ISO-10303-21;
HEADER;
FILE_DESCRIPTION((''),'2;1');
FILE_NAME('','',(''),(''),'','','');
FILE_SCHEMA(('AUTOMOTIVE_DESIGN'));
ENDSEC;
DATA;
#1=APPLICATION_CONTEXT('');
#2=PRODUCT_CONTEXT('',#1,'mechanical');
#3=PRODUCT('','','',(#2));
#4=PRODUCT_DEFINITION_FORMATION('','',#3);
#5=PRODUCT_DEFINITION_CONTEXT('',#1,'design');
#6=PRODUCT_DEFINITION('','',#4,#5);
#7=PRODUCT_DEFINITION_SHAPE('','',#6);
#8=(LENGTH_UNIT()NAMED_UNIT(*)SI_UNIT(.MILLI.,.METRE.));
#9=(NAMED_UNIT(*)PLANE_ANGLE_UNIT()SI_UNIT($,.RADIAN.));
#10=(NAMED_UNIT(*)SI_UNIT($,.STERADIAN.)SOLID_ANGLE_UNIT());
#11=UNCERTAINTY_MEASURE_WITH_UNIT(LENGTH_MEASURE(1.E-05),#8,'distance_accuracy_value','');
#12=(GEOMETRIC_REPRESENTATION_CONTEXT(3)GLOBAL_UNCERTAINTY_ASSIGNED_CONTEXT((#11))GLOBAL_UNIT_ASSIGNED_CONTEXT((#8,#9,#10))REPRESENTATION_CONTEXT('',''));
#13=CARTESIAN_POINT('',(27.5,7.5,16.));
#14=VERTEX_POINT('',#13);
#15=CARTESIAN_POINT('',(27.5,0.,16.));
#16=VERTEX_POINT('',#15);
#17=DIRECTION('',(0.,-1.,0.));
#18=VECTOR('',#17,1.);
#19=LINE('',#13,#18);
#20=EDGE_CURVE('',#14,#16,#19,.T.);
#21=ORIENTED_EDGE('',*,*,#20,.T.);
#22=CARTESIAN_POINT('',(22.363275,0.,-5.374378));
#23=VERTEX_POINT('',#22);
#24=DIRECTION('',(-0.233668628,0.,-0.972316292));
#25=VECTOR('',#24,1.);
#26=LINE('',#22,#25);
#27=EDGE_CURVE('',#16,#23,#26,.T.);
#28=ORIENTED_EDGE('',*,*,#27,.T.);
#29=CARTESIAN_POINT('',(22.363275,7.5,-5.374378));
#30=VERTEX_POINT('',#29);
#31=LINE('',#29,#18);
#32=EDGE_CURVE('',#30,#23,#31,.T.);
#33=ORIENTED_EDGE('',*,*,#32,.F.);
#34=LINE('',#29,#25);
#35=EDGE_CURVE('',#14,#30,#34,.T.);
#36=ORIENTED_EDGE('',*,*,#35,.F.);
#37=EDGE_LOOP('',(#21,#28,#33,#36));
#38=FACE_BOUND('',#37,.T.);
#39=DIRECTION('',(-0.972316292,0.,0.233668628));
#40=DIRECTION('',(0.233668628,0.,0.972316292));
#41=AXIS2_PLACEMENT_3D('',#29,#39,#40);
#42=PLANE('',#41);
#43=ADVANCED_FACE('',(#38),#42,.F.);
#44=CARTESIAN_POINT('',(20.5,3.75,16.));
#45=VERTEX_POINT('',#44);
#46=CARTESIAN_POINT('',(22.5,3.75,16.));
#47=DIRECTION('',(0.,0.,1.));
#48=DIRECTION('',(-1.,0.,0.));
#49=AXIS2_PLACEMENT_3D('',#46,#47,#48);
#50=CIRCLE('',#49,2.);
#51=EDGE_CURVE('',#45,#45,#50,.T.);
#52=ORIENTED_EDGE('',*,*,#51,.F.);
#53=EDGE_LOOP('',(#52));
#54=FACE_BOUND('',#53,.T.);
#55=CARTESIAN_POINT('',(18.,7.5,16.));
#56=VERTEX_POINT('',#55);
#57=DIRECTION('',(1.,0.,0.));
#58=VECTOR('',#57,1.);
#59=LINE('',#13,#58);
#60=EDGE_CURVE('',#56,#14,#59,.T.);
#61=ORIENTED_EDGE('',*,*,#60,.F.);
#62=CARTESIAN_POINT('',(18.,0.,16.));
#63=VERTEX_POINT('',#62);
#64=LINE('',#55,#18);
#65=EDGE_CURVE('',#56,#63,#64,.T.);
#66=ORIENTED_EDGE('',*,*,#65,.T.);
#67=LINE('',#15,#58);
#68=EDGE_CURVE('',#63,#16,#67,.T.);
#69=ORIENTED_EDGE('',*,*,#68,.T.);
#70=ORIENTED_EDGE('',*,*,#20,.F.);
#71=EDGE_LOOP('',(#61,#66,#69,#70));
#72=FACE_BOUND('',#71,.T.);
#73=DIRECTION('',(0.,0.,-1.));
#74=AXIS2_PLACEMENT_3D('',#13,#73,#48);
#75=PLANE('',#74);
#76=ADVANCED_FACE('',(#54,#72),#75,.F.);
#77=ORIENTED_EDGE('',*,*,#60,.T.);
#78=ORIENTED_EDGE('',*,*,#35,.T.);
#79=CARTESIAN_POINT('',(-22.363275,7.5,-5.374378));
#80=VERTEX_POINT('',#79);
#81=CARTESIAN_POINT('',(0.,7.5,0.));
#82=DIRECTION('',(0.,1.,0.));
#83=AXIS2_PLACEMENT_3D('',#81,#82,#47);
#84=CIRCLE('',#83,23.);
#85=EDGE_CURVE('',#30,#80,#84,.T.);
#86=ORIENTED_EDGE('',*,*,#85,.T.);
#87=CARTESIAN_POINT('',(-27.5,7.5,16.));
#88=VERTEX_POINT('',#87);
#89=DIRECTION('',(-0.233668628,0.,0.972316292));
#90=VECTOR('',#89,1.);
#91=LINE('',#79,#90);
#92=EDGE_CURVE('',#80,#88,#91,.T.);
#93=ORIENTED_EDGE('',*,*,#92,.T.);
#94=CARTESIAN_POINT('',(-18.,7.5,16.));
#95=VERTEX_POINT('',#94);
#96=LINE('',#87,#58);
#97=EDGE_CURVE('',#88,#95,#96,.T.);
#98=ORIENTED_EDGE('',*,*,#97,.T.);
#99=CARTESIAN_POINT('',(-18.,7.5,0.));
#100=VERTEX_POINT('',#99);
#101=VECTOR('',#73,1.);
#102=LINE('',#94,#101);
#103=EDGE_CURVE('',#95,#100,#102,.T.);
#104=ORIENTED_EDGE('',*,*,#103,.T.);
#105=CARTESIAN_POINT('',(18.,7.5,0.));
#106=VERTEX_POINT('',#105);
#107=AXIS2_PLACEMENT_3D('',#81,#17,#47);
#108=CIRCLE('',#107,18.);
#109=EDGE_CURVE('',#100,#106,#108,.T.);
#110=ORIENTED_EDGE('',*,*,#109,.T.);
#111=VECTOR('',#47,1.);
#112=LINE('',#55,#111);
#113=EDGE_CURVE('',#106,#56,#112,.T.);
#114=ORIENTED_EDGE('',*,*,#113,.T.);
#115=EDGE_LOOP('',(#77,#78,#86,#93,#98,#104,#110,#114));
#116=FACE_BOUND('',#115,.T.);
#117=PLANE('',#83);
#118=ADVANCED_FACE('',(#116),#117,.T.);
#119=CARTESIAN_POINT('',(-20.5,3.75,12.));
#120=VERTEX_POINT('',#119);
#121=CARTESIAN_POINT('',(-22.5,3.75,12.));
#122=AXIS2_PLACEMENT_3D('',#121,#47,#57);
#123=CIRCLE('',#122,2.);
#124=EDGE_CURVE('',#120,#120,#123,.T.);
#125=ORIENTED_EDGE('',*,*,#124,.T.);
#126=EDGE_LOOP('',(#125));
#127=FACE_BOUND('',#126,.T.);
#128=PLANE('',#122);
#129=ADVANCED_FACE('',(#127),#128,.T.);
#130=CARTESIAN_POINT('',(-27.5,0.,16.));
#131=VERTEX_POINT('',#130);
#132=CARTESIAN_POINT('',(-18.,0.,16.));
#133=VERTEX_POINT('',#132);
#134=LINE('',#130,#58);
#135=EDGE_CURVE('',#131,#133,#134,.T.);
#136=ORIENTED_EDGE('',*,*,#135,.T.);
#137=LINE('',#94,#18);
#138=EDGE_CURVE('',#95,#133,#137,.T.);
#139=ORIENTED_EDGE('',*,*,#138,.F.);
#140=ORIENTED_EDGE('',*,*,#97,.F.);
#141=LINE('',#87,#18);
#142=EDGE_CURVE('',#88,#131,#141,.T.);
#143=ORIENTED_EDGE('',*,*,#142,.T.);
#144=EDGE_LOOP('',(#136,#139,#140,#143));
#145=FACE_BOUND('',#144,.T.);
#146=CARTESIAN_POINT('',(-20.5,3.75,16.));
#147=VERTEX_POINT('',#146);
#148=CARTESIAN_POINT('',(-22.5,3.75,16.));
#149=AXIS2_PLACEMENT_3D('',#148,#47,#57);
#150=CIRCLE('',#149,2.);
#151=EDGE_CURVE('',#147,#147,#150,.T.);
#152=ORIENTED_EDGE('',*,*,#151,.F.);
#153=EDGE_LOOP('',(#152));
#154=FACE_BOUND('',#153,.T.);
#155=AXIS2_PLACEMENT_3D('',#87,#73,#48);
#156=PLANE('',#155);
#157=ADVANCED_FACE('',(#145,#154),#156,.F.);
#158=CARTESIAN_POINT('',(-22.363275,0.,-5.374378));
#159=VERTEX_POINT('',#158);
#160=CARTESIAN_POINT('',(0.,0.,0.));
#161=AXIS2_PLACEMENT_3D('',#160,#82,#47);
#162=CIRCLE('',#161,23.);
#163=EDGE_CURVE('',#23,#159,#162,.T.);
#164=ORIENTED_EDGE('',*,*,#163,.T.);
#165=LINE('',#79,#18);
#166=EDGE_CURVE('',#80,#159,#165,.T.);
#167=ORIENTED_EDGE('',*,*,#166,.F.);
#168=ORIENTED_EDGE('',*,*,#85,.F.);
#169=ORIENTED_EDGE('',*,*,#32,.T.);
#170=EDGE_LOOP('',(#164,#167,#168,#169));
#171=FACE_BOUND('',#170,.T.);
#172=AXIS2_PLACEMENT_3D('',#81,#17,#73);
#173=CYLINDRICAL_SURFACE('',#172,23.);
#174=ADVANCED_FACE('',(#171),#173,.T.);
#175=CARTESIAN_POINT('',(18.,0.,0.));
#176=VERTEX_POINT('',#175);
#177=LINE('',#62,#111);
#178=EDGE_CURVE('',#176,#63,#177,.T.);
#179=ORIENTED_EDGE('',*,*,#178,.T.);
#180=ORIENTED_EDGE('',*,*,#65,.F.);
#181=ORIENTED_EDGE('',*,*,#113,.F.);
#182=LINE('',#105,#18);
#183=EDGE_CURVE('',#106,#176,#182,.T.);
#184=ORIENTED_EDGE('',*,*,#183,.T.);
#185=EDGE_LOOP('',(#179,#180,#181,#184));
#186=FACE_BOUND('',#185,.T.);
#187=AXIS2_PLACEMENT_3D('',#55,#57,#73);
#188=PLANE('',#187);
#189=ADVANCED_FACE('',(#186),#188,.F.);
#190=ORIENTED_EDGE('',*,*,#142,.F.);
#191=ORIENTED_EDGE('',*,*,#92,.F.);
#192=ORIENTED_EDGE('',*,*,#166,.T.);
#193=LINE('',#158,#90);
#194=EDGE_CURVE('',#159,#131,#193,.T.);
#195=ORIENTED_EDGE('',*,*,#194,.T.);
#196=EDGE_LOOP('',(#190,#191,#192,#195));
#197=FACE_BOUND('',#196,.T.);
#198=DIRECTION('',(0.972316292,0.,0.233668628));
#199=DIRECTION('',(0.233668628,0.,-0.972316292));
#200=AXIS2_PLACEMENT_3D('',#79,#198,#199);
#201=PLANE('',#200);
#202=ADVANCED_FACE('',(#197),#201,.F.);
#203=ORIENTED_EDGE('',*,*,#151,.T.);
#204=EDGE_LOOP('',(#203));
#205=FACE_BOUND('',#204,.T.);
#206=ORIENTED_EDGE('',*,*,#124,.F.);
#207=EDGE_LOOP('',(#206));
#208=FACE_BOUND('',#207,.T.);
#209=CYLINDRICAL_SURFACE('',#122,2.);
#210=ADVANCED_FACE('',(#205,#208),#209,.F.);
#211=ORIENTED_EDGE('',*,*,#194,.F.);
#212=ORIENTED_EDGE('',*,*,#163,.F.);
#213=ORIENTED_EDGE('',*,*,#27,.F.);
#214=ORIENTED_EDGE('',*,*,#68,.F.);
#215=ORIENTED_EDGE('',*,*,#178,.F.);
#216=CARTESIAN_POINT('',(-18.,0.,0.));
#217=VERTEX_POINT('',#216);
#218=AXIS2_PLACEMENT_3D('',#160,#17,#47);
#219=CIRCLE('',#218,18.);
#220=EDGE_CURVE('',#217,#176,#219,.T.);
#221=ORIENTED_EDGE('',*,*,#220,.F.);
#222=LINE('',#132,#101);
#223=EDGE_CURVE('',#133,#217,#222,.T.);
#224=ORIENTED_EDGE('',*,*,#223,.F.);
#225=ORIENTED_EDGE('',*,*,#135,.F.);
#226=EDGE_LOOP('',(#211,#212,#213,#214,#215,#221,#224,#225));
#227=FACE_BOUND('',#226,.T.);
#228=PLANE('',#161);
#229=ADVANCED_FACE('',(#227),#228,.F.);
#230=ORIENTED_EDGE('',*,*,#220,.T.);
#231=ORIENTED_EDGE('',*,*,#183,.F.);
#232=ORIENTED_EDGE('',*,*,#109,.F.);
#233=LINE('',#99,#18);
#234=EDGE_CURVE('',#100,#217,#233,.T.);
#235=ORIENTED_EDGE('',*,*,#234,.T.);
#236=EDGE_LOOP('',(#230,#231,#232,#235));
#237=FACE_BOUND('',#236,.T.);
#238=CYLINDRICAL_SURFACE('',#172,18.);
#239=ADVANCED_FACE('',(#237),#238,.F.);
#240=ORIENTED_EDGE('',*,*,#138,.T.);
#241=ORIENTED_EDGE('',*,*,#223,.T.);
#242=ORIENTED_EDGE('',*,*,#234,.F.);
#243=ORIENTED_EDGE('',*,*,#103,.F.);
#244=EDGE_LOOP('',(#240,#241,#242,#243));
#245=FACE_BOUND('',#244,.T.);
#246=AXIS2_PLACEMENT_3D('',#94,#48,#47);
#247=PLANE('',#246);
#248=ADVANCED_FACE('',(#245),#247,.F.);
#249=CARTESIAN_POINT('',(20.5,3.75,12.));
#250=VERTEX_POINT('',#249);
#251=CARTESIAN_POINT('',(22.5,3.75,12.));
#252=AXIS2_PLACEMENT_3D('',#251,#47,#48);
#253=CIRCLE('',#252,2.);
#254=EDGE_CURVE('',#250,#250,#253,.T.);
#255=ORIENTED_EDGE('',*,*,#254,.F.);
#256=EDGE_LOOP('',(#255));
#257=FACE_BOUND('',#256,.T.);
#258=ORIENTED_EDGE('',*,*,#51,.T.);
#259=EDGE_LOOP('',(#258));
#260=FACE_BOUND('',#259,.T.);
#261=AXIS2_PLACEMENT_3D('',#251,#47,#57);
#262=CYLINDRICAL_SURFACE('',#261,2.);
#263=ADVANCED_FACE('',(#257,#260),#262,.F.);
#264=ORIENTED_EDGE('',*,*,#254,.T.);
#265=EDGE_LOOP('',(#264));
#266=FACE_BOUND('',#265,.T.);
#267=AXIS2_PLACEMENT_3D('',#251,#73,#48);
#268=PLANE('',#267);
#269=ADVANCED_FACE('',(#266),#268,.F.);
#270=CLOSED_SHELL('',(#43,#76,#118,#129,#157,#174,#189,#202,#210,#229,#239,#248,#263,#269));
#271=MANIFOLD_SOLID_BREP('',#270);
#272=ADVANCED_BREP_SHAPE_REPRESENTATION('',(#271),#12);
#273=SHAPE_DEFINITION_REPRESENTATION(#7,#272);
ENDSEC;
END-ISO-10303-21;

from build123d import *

# Parameters (mm, degrees)
BOSS_EXTRUDE1_DEPTH = 7.5
SKETCH2_R           = 2
CUT_EXTRUDE1_DEPTH  = 4


with BuildPart() as part:
    # Sketch1 → Boss-Extrude1 (new body)
    with BuildSketch(Plane(origin=(0, 0, 0), x_dir=(1, 0, 0), z_dir=(0, 1, 0))):
        with BuildLine():
            Line((-22.363274725, 5.374378434), (-27.5, -16))
            Line((-27.5, -16), (-18, -16))
            Line((-18, -16), (-18, 0))
            ThreePointArc((-18, 0), (0, 18), (18, 0))
            Line((18, 0), (18, -16))
            Line((18, -16), (27.5, -16))
            Line((27.5, -16), (22.363274725, 5.374378434))
            ThreePointArc((22.363274725, 5.374378434), (0, 23), (-22.363274725, 5.374378434))
        make_face()
    extrude(amount=BOSS_EXTRUDE1_DEPTH)

    # Sketch2 → Cut-Extrude1 (cut)
    with BuildSketch(Plane.XY.offset(16)):
        with Locations((-22.5, 3.75)):
            Circle(SKETCH2_R)
        with Locations((22.5, 3.75)):
            Circle(SKETCH2_R)
    extrude(amount=-CUT_EXTRUDE1_DEPTH, mode=Mode.SUBTRACT)


solid = part.part
